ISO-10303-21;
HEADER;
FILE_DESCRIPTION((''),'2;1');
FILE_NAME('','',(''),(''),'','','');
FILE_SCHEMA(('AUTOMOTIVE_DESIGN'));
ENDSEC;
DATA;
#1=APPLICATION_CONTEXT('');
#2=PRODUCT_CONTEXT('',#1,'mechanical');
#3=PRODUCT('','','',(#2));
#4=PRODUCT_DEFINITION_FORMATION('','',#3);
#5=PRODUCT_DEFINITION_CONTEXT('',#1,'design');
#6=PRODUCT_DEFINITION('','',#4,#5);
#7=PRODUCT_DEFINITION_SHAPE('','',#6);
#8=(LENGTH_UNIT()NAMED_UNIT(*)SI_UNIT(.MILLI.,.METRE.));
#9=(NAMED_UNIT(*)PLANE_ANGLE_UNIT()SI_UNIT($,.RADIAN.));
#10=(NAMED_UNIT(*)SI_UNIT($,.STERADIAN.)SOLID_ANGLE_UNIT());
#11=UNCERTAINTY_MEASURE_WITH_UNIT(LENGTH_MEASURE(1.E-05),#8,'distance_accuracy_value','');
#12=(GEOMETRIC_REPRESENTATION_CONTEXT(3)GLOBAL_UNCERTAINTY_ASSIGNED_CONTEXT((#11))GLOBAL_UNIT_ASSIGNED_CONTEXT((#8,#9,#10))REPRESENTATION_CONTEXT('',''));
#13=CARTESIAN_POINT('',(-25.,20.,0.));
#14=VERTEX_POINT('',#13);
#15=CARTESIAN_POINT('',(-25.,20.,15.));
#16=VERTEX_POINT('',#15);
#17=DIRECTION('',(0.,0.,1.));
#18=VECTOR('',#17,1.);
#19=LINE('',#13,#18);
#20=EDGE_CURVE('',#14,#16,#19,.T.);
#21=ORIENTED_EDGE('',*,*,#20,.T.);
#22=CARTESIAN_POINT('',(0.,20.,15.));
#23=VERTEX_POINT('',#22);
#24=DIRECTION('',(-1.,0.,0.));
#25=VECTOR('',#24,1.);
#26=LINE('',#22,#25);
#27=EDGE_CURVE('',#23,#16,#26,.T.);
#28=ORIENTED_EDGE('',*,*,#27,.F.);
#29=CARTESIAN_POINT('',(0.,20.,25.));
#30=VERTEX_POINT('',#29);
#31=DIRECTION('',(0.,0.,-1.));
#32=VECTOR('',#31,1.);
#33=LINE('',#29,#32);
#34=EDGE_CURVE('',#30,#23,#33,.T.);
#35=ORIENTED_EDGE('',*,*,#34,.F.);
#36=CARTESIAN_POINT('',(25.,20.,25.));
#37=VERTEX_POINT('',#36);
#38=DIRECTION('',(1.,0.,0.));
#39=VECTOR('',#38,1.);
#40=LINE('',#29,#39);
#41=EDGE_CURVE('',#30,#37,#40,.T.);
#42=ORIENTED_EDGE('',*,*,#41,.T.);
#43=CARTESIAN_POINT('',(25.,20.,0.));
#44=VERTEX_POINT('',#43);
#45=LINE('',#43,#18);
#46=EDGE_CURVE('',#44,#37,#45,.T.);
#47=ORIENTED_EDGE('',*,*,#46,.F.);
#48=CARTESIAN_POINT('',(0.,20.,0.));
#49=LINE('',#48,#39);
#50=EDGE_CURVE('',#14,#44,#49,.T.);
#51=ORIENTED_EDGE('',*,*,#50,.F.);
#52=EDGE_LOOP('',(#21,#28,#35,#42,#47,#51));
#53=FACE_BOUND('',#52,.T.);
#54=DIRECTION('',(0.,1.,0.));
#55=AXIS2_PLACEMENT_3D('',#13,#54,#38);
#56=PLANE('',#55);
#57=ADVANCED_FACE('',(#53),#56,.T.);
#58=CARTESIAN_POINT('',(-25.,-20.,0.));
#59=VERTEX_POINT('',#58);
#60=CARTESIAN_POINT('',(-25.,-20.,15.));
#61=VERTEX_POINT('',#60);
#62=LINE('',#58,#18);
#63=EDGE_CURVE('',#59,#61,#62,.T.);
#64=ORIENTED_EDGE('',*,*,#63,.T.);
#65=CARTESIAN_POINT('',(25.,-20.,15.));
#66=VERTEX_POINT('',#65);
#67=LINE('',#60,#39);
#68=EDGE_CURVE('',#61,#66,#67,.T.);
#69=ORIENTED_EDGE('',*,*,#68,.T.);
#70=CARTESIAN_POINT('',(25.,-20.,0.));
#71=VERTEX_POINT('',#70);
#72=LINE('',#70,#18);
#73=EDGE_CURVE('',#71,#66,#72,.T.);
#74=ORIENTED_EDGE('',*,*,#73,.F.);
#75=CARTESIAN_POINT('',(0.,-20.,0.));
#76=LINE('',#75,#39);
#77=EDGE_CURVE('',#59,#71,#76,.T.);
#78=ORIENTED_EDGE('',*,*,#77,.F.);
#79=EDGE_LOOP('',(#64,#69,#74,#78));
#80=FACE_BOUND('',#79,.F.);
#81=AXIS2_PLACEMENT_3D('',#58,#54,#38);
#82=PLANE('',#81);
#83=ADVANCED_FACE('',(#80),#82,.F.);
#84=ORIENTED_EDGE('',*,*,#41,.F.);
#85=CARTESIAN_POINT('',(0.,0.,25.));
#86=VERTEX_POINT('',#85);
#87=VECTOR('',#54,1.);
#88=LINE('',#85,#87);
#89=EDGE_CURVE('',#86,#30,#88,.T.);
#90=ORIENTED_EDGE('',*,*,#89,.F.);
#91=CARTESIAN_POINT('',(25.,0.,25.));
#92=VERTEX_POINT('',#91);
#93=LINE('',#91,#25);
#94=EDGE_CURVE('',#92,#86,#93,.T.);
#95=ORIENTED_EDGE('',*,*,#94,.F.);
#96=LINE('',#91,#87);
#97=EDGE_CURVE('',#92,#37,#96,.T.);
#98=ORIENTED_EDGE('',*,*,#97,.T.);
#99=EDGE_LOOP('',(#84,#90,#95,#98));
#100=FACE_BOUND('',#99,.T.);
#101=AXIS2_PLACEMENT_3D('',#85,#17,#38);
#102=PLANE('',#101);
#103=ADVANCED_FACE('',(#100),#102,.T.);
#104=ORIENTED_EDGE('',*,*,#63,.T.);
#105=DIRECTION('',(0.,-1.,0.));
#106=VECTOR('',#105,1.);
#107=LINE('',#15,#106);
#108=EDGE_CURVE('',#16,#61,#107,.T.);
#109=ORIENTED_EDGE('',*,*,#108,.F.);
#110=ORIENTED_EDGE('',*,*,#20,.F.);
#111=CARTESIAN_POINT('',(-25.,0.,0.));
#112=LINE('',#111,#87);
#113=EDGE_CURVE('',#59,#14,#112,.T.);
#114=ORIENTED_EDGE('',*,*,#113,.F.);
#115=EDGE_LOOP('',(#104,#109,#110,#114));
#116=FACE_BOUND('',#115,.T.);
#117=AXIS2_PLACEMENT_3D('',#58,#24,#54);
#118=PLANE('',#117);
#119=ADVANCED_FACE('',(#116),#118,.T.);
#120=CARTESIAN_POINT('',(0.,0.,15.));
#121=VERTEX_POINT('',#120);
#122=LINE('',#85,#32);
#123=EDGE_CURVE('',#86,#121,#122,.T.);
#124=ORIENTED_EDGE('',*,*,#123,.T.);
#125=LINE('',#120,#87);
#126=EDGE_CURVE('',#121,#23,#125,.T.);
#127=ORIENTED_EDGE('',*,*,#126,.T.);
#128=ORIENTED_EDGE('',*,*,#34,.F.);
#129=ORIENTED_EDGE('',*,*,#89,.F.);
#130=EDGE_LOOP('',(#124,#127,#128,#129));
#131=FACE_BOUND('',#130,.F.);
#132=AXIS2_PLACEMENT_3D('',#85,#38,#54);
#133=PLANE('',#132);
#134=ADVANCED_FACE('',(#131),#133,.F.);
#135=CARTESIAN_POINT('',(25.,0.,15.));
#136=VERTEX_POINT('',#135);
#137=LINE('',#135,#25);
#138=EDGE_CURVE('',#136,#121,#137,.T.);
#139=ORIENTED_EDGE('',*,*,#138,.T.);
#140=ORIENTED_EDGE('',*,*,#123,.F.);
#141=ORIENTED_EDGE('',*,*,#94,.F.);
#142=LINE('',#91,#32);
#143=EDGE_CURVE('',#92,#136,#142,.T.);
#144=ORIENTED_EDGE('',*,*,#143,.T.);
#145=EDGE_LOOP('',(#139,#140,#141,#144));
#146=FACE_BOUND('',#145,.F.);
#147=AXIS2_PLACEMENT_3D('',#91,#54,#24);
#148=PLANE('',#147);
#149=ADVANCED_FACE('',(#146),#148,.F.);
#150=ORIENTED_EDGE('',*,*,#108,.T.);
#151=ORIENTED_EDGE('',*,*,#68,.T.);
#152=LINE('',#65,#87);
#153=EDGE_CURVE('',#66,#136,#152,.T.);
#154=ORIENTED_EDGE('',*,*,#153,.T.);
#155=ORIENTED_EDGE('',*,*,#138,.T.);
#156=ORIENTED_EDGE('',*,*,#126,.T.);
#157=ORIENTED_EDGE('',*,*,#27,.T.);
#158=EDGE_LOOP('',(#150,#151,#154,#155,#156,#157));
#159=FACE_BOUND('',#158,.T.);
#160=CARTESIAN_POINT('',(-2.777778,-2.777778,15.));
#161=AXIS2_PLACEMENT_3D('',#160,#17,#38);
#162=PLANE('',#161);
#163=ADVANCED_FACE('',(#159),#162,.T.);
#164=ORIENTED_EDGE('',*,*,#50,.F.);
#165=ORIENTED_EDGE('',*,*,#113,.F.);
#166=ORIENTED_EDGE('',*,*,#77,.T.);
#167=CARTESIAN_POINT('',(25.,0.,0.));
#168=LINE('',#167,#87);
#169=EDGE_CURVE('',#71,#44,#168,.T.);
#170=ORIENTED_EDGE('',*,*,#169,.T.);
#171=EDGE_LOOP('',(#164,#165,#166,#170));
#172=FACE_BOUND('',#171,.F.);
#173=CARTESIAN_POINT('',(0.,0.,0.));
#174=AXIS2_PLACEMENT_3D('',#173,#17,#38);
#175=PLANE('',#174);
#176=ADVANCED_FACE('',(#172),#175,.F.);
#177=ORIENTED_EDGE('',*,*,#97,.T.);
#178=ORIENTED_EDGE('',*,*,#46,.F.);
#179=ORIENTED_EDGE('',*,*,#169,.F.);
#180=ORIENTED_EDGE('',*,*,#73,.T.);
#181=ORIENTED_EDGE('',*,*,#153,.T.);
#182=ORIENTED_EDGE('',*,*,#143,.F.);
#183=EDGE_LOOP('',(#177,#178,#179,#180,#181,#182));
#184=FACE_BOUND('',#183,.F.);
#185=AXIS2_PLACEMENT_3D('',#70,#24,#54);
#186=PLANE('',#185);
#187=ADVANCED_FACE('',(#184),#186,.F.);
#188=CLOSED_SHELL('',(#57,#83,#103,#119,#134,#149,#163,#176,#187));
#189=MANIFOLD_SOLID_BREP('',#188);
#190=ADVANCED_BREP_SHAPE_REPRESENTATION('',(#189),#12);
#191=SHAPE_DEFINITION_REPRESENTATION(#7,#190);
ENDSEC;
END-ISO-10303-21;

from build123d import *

# Parameters (mm, degrees)
F0_W     = 50
F0_H     = 40
F1_DEPTH = 25
F3_DEPTH = 10


with BuildPart() as f1:
    # F0 (on Top) → F1 (new body)
    with BuildSketch(Plane.XY):
        Rectangle(F0_W, F0_H)
    extrude(amount=F1_DEPTH)

    # F2 (on face) → F3 (cut)
    with BuildSketch(Plane.XY.offset(25)):
        Polygon((25, 0), (0, 0), (0, 20), (-25, 20), (-25, -20), (25, -20), align=None)
    extrude(amount=-F3_DEPTH, mode=Mode.SUBTRACT)


solid = f1.part
